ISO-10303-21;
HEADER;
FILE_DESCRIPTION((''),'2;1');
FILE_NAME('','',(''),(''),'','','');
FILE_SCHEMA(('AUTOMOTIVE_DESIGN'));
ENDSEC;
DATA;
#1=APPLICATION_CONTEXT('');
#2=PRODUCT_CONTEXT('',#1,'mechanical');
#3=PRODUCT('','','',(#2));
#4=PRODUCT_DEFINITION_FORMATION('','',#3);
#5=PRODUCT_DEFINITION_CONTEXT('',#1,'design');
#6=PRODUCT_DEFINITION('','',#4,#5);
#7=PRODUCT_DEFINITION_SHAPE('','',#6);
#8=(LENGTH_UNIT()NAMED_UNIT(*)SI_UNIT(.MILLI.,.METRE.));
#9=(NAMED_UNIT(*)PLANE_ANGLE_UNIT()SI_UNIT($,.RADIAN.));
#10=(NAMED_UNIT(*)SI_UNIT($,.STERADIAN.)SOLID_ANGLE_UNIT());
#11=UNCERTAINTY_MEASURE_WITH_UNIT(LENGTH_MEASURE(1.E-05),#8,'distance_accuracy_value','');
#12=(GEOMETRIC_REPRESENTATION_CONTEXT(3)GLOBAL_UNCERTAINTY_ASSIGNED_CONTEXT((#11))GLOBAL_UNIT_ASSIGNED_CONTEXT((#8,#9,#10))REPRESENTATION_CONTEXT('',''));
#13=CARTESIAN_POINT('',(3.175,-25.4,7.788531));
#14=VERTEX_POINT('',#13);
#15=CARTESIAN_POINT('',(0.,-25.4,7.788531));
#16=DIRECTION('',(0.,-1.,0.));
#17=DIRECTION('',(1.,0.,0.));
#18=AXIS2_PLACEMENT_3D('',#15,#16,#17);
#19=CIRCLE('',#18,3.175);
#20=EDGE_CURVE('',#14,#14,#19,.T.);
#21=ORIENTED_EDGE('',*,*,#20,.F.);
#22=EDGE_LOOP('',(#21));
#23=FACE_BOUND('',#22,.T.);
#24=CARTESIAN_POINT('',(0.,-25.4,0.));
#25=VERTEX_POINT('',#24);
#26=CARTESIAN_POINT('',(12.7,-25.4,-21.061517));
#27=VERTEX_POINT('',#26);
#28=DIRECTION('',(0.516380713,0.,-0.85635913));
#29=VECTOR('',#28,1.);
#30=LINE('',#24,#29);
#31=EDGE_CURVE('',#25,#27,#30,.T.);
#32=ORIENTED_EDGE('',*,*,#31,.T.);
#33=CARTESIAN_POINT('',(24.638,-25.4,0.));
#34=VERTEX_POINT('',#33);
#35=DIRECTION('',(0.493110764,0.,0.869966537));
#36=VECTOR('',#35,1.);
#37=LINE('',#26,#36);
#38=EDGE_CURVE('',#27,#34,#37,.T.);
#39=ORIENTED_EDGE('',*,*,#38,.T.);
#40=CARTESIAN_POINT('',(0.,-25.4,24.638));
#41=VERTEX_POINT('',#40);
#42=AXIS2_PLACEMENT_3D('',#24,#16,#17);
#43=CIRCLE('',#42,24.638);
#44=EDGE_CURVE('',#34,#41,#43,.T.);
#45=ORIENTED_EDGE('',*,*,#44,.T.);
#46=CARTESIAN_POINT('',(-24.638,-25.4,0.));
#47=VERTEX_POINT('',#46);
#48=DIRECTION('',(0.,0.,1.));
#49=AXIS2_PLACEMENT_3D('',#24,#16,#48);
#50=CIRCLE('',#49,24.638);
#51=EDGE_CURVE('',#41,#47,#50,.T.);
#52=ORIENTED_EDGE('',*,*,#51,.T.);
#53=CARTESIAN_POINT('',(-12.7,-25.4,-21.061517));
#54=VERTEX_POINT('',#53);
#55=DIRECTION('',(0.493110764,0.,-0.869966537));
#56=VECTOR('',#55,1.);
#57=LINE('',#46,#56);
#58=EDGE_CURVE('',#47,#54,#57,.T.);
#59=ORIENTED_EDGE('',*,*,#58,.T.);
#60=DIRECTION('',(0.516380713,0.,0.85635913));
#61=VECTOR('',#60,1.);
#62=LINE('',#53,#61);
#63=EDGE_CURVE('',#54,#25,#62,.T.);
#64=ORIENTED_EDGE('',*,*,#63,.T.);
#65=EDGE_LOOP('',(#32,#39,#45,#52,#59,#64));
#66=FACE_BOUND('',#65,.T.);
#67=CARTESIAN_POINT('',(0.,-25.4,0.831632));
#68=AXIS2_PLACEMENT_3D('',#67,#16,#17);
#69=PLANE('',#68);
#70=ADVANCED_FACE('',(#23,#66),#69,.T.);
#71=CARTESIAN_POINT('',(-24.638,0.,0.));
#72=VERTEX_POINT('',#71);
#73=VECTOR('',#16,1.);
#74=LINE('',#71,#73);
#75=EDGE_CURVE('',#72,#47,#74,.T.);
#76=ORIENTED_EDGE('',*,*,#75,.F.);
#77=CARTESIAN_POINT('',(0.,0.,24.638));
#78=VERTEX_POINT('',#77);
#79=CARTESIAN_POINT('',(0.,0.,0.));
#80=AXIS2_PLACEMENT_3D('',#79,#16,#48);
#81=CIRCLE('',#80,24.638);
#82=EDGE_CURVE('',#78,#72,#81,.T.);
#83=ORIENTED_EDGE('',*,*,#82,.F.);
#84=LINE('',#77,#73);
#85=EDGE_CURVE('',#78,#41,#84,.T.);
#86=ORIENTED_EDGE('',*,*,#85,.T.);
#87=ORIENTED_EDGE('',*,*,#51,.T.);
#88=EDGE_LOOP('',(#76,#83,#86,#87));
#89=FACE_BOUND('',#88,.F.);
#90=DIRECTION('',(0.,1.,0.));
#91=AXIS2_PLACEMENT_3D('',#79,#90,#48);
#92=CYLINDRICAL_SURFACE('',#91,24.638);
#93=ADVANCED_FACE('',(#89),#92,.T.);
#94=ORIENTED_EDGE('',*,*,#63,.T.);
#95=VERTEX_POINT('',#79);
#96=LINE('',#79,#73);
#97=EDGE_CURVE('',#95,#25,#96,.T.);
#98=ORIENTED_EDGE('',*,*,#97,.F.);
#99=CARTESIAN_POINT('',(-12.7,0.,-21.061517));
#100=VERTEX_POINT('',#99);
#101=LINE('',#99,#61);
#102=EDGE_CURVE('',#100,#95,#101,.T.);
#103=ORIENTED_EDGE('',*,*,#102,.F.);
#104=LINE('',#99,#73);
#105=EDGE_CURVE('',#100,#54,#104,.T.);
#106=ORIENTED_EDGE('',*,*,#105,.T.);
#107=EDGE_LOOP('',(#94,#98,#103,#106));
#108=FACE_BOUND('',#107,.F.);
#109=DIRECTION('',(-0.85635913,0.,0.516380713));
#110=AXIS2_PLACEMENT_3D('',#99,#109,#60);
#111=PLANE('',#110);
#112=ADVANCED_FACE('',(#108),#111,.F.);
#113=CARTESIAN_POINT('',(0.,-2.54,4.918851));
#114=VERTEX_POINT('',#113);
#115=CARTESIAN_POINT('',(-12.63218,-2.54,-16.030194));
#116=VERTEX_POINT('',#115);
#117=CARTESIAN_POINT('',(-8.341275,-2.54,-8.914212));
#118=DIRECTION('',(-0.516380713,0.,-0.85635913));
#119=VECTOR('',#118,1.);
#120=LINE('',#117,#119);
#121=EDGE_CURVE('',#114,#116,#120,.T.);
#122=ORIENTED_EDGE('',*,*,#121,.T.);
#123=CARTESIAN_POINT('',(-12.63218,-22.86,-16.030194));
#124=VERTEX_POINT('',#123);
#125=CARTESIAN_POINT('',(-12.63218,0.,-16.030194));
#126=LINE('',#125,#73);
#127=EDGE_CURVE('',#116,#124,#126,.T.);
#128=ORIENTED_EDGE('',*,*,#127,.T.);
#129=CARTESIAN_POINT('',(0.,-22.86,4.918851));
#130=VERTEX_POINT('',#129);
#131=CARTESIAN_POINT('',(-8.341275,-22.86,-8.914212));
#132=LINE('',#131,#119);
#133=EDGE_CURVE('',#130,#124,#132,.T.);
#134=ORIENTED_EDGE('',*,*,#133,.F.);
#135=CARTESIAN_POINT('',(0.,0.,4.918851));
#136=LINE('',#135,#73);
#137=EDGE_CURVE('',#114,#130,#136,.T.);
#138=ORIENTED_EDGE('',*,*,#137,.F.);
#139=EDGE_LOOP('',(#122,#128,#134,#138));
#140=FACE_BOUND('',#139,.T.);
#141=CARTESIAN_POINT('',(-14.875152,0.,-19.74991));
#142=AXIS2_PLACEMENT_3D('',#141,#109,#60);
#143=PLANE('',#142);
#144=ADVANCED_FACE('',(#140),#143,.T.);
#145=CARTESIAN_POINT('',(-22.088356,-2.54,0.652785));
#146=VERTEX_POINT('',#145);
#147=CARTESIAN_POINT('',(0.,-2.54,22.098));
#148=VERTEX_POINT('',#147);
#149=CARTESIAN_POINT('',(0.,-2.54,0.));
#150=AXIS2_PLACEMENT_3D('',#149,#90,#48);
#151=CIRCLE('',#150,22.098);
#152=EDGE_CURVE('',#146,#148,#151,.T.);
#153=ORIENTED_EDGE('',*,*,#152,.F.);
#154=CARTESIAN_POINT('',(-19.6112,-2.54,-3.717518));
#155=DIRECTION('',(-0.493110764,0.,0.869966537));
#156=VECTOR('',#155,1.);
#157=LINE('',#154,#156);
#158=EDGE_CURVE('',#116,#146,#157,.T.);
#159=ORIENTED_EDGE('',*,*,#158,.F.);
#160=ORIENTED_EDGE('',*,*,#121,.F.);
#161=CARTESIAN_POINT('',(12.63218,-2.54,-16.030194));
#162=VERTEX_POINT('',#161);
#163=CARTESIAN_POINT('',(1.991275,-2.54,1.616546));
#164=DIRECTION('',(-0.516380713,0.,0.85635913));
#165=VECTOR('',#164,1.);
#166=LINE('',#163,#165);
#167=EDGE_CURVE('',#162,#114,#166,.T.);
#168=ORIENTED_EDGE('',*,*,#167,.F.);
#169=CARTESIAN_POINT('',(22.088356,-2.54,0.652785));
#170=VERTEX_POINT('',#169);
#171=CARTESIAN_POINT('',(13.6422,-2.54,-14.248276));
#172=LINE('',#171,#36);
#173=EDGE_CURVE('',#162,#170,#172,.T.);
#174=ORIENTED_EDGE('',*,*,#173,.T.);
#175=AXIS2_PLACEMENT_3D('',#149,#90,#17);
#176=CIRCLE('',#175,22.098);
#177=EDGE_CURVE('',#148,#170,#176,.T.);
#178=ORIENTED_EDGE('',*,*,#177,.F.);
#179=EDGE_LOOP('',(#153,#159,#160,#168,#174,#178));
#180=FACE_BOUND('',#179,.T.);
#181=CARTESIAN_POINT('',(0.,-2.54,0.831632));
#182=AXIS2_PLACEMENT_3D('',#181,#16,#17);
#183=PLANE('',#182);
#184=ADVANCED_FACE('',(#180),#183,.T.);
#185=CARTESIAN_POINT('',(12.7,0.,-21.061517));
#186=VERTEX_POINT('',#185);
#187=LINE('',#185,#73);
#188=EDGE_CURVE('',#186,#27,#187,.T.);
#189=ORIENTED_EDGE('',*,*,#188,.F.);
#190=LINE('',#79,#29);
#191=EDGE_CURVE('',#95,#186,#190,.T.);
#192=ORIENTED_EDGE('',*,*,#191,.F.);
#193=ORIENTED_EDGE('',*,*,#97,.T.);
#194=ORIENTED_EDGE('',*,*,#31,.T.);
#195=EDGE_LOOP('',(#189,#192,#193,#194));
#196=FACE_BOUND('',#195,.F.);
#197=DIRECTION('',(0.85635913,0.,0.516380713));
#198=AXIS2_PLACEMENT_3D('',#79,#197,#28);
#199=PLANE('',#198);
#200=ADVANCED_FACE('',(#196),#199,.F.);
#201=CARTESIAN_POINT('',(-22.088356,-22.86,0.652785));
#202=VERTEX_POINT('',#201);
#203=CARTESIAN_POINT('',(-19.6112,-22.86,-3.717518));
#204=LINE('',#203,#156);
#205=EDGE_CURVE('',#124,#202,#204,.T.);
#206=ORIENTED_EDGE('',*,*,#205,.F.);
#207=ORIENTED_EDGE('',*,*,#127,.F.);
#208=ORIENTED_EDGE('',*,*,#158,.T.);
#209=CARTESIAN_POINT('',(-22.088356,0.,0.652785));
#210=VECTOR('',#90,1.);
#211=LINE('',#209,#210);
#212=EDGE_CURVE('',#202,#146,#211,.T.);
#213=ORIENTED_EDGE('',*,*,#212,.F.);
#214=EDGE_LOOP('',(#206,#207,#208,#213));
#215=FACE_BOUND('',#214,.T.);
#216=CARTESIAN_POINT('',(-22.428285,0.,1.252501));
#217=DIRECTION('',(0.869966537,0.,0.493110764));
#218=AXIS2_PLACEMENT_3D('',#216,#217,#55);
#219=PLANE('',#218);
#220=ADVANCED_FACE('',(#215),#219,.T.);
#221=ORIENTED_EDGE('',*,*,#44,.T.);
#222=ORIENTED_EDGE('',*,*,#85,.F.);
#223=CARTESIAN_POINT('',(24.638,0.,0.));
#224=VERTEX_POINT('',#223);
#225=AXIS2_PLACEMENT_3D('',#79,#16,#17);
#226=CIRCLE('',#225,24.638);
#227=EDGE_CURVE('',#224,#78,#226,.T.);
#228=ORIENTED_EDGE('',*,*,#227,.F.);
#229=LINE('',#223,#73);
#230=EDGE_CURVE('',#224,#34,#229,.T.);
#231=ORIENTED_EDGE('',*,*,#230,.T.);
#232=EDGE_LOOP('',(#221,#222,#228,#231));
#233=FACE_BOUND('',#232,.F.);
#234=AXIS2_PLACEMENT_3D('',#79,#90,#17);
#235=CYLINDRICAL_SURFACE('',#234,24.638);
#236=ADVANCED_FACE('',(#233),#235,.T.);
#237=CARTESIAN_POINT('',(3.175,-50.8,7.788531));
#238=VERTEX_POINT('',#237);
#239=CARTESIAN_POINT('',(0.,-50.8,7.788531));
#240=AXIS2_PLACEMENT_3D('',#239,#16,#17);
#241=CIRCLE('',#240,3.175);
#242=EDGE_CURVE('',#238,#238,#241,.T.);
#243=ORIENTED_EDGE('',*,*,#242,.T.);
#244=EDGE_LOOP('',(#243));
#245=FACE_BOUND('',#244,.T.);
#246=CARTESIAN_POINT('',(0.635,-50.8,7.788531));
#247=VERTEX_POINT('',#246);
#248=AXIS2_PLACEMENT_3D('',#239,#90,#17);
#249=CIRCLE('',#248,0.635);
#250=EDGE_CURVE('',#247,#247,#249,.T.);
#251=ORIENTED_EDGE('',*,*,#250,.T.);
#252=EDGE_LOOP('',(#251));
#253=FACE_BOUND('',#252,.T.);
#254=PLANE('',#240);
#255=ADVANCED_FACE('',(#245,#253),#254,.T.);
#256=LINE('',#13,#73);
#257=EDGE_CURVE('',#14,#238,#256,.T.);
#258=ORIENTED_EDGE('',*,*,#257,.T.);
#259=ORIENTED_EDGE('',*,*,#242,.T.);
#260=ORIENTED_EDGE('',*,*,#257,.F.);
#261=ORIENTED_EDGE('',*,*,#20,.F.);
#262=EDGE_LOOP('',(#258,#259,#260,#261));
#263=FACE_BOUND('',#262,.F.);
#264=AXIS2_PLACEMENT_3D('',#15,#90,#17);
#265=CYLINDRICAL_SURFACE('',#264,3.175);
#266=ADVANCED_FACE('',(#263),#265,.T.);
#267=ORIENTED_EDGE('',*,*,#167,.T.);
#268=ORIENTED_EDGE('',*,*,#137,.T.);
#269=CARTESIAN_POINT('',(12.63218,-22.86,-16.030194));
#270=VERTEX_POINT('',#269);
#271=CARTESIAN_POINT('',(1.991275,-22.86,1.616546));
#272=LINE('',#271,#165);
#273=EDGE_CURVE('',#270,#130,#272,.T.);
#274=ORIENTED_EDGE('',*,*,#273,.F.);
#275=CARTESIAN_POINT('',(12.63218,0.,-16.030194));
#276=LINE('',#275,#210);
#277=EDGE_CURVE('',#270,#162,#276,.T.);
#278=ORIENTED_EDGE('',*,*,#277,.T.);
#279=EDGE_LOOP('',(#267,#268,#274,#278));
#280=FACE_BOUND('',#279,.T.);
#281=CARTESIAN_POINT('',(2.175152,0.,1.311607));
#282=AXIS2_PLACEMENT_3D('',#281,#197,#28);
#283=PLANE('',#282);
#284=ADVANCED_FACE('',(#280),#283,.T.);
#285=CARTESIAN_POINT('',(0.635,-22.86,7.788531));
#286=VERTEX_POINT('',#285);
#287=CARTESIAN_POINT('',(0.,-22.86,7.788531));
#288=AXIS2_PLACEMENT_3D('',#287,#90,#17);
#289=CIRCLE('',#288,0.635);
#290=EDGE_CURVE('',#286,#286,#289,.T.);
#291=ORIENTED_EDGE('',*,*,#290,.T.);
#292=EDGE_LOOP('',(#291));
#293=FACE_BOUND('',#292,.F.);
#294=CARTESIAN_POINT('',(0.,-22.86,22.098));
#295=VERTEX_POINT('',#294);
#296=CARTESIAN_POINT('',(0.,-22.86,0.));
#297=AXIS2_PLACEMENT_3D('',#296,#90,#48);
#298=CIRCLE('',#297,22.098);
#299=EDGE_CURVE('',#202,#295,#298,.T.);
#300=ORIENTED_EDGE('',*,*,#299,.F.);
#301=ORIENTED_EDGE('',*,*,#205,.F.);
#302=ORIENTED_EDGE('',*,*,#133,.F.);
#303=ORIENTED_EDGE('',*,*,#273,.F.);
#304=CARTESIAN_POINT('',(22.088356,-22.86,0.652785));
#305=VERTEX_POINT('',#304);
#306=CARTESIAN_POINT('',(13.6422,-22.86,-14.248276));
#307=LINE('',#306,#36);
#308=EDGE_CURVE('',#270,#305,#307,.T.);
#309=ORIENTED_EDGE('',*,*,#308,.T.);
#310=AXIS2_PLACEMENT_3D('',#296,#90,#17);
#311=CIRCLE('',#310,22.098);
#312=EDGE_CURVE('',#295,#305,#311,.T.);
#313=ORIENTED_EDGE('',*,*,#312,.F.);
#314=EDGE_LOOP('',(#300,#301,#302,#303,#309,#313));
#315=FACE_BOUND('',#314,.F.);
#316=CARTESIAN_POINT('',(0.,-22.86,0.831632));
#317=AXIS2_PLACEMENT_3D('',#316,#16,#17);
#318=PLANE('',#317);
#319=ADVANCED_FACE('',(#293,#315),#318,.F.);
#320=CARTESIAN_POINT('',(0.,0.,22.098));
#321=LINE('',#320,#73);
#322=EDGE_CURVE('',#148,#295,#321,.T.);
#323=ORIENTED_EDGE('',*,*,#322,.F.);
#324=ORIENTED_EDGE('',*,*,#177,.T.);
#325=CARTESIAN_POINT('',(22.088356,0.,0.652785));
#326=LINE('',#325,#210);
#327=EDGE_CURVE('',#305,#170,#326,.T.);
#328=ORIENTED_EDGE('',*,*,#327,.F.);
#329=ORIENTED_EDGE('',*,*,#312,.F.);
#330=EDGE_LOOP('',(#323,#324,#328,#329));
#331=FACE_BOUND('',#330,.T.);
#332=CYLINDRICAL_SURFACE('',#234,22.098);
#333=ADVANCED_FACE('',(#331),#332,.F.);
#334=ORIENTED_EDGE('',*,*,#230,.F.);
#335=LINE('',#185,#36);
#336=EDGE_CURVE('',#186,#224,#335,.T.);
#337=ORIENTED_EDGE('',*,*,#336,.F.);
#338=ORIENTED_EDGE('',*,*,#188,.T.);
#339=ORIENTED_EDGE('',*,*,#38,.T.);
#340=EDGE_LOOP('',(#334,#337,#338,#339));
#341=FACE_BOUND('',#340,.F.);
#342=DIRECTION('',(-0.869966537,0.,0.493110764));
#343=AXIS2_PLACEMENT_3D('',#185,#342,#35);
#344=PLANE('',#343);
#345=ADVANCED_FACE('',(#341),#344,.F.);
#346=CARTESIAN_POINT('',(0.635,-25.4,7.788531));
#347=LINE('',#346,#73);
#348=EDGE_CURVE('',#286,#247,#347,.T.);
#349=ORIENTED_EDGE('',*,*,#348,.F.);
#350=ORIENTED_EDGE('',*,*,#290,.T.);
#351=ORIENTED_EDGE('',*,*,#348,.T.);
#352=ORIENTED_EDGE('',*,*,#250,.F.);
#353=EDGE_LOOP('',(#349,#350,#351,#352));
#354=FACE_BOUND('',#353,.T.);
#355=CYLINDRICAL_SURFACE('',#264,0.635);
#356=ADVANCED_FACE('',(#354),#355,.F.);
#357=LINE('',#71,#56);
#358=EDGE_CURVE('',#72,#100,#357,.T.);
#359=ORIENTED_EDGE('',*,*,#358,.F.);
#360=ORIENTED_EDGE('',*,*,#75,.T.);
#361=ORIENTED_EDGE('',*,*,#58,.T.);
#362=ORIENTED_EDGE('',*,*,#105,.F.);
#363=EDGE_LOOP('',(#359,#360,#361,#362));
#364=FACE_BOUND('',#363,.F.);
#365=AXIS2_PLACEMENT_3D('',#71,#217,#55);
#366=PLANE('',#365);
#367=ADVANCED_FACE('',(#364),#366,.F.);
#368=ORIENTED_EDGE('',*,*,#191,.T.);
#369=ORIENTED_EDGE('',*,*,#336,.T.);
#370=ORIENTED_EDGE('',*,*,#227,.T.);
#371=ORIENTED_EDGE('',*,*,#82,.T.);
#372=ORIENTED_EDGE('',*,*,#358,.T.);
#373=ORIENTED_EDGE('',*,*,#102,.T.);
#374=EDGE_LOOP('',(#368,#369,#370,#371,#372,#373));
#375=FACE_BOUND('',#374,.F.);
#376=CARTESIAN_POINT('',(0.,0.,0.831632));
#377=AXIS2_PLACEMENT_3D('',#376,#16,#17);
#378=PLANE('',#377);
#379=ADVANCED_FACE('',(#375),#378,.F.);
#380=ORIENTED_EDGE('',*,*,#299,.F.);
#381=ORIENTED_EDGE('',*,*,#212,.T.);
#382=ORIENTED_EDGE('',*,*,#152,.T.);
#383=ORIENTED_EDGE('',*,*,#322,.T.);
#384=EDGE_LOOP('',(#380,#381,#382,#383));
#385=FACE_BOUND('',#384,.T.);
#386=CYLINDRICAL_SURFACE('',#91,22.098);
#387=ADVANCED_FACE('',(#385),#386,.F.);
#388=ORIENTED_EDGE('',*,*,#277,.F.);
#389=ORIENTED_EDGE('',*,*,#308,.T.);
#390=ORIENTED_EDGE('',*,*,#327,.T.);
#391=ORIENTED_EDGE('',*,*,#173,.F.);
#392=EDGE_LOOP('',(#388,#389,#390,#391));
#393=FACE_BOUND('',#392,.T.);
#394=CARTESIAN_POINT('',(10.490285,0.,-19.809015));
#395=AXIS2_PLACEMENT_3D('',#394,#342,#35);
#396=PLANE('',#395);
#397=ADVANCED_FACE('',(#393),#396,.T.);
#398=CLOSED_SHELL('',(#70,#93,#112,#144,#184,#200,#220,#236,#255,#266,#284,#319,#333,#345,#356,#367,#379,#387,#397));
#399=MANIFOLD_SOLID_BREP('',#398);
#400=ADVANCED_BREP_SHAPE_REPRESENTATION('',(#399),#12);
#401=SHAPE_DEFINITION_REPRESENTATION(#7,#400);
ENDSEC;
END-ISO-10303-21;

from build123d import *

# Parameters (mm, degrees)
F1_DEPTH = 25.4
F2_R     = 3.175
F3_DEPTH = 25.4
F4_T     = -2.54


with BuildPart() as f1:
    # F0 (on Front) → F1 (new body)
    with BuildSketch(Plane.XZ):
        with BuildLine():
            ThreePointArc((24.638, 0), (17.4216968749, 17.4216968749), (0, 24.638))
            ThreePointArc((0, 24.638), (-17.4216968749, 17.4216968749), (-24.638, 0))
            Line((-24.638, 0), (-12.7, -21.0615165602))
            Line((-12.7, -21.0615165602), (0, 0))
            Line((0, 0), (12.7, -21.0615165602))
            Line((12.7, -21.0615165602), (24.638, 0))
        make_face()
    extrude(amount=F1_DEPTH)

    # F2 (on face) → F3 (join)
    with BuildSketch(Plane.XZ.offset(25.4)):
        with Locations((0, 7.7885312092)):
            Circle(F2_R)
    extrude(amount=F3_DEPTH)

    # F4
    f4_openings = [f1.faces().sort_by_distance(p)[0] for p in [
        (0, -50.8, 7.788531),
    ]]
    offset(amount=F4_T, openings=f4_openings, kind=Kind.INTERSECTION)


solid = f1.part
